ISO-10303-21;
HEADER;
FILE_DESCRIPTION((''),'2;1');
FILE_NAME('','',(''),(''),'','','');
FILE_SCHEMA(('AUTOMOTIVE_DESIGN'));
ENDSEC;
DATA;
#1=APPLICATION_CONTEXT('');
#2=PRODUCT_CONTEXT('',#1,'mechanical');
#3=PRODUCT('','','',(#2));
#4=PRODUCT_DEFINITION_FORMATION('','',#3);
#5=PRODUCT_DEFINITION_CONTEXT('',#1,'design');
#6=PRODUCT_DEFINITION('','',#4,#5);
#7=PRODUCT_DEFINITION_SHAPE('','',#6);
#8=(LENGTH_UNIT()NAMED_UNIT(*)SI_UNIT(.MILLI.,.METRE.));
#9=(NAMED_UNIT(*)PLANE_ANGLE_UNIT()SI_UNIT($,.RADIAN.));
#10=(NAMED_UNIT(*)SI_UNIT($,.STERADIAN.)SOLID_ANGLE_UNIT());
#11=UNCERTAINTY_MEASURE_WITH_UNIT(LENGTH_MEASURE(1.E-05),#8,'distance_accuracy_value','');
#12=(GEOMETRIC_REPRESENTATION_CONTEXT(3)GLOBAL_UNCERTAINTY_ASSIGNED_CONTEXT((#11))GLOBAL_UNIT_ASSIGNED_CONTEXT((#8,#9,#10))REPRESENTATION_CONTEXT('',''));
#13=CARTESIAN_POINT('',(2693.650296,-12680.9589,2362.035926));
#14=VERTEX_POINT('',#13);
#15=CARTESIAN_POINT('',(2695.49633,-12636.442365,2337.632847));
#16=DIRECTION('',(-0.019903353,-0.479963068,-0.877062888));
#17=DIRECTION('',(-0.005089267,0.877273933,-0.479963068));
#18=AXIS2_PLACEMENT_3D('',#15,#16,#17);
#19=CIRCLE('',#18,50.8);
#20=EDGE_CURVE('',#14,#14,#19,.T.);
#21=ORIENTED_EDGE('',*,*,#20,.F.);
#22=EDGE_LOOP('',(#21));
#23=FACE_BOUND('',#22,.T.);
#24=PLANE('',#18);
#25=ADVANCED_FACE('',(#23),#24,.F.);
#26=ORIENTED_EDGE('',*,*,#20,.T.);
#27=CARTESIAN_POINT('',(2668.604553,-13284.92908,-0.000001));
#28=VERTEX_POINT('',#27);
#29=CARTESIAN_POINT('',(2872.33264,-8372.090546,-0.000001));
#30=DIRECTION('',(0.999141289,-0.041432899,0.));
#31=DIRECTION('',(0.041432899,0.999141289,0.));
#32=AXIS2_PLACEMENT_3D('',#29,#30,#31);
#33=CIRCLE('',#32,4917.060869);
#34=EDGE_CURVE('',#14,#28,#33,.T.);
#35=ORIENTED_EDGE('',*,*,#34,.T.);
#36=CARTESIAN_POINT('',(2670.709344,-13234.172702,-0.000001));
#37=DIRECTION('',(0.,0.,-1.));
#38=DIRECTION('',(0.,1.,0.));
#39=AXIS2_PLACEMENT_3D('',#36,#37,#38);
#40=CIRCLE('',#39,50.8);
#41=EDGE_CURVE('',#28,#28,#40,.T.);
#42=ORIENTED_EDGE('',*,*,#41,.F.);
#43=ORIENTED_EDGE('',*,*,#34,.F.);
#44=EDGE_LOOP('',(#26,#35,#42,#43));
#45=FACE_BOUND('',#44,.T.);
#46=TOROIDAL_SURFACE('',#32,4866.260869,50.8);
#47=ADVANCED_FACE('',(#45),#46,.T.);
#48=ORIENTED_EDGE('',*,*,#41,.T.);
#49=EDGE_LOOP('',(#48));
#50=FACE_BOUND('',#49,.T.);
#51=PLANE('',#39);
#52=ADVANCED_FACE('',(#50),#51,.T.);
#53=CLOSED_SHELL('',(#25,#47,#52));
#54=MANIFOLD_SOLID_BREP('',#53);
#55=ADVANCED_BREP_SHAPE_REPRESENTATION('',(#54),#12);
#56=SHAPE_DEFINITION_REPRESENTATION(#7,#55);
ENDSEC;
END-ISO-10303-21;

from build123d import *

# Parameters (mm, degrees)
SKETCH1_R = 50.799999993


with BuildPart() as part:
    # Sweep1: sweep along a path in Sketch2
    with BuildLine(Plane(origin=(3213.983861817, -133.279117208, 0), x_dir=(-0.04119620402559296, -0.9934334626492767, 0.10673719156203237), z_dir=(-0.9991412887452005, 0.04143289906077211, -3.3601593729670753e-15))) as sweep1_path:
        ThreePointArc((13037.246925552, -1399.554402186), (13014.958874634, -183.744942107), (12691.932842026, 988.579067154))
    # Sketch1 → Sweep1 (sweep)
    with BuildSketch(Plane(origin=(25457.389398643, 23216.374153079, -8.77e-07), x_dir=(-0.5236120127653583, 0.8519568416814378, 0), z_dir=(0, 0, -1))):
        with Locations((-19122.913368791, -38499.212176653)):
            Circle(SKETCH1_R)
    sweep(path=sweep1_path.line)


solid = part.part
